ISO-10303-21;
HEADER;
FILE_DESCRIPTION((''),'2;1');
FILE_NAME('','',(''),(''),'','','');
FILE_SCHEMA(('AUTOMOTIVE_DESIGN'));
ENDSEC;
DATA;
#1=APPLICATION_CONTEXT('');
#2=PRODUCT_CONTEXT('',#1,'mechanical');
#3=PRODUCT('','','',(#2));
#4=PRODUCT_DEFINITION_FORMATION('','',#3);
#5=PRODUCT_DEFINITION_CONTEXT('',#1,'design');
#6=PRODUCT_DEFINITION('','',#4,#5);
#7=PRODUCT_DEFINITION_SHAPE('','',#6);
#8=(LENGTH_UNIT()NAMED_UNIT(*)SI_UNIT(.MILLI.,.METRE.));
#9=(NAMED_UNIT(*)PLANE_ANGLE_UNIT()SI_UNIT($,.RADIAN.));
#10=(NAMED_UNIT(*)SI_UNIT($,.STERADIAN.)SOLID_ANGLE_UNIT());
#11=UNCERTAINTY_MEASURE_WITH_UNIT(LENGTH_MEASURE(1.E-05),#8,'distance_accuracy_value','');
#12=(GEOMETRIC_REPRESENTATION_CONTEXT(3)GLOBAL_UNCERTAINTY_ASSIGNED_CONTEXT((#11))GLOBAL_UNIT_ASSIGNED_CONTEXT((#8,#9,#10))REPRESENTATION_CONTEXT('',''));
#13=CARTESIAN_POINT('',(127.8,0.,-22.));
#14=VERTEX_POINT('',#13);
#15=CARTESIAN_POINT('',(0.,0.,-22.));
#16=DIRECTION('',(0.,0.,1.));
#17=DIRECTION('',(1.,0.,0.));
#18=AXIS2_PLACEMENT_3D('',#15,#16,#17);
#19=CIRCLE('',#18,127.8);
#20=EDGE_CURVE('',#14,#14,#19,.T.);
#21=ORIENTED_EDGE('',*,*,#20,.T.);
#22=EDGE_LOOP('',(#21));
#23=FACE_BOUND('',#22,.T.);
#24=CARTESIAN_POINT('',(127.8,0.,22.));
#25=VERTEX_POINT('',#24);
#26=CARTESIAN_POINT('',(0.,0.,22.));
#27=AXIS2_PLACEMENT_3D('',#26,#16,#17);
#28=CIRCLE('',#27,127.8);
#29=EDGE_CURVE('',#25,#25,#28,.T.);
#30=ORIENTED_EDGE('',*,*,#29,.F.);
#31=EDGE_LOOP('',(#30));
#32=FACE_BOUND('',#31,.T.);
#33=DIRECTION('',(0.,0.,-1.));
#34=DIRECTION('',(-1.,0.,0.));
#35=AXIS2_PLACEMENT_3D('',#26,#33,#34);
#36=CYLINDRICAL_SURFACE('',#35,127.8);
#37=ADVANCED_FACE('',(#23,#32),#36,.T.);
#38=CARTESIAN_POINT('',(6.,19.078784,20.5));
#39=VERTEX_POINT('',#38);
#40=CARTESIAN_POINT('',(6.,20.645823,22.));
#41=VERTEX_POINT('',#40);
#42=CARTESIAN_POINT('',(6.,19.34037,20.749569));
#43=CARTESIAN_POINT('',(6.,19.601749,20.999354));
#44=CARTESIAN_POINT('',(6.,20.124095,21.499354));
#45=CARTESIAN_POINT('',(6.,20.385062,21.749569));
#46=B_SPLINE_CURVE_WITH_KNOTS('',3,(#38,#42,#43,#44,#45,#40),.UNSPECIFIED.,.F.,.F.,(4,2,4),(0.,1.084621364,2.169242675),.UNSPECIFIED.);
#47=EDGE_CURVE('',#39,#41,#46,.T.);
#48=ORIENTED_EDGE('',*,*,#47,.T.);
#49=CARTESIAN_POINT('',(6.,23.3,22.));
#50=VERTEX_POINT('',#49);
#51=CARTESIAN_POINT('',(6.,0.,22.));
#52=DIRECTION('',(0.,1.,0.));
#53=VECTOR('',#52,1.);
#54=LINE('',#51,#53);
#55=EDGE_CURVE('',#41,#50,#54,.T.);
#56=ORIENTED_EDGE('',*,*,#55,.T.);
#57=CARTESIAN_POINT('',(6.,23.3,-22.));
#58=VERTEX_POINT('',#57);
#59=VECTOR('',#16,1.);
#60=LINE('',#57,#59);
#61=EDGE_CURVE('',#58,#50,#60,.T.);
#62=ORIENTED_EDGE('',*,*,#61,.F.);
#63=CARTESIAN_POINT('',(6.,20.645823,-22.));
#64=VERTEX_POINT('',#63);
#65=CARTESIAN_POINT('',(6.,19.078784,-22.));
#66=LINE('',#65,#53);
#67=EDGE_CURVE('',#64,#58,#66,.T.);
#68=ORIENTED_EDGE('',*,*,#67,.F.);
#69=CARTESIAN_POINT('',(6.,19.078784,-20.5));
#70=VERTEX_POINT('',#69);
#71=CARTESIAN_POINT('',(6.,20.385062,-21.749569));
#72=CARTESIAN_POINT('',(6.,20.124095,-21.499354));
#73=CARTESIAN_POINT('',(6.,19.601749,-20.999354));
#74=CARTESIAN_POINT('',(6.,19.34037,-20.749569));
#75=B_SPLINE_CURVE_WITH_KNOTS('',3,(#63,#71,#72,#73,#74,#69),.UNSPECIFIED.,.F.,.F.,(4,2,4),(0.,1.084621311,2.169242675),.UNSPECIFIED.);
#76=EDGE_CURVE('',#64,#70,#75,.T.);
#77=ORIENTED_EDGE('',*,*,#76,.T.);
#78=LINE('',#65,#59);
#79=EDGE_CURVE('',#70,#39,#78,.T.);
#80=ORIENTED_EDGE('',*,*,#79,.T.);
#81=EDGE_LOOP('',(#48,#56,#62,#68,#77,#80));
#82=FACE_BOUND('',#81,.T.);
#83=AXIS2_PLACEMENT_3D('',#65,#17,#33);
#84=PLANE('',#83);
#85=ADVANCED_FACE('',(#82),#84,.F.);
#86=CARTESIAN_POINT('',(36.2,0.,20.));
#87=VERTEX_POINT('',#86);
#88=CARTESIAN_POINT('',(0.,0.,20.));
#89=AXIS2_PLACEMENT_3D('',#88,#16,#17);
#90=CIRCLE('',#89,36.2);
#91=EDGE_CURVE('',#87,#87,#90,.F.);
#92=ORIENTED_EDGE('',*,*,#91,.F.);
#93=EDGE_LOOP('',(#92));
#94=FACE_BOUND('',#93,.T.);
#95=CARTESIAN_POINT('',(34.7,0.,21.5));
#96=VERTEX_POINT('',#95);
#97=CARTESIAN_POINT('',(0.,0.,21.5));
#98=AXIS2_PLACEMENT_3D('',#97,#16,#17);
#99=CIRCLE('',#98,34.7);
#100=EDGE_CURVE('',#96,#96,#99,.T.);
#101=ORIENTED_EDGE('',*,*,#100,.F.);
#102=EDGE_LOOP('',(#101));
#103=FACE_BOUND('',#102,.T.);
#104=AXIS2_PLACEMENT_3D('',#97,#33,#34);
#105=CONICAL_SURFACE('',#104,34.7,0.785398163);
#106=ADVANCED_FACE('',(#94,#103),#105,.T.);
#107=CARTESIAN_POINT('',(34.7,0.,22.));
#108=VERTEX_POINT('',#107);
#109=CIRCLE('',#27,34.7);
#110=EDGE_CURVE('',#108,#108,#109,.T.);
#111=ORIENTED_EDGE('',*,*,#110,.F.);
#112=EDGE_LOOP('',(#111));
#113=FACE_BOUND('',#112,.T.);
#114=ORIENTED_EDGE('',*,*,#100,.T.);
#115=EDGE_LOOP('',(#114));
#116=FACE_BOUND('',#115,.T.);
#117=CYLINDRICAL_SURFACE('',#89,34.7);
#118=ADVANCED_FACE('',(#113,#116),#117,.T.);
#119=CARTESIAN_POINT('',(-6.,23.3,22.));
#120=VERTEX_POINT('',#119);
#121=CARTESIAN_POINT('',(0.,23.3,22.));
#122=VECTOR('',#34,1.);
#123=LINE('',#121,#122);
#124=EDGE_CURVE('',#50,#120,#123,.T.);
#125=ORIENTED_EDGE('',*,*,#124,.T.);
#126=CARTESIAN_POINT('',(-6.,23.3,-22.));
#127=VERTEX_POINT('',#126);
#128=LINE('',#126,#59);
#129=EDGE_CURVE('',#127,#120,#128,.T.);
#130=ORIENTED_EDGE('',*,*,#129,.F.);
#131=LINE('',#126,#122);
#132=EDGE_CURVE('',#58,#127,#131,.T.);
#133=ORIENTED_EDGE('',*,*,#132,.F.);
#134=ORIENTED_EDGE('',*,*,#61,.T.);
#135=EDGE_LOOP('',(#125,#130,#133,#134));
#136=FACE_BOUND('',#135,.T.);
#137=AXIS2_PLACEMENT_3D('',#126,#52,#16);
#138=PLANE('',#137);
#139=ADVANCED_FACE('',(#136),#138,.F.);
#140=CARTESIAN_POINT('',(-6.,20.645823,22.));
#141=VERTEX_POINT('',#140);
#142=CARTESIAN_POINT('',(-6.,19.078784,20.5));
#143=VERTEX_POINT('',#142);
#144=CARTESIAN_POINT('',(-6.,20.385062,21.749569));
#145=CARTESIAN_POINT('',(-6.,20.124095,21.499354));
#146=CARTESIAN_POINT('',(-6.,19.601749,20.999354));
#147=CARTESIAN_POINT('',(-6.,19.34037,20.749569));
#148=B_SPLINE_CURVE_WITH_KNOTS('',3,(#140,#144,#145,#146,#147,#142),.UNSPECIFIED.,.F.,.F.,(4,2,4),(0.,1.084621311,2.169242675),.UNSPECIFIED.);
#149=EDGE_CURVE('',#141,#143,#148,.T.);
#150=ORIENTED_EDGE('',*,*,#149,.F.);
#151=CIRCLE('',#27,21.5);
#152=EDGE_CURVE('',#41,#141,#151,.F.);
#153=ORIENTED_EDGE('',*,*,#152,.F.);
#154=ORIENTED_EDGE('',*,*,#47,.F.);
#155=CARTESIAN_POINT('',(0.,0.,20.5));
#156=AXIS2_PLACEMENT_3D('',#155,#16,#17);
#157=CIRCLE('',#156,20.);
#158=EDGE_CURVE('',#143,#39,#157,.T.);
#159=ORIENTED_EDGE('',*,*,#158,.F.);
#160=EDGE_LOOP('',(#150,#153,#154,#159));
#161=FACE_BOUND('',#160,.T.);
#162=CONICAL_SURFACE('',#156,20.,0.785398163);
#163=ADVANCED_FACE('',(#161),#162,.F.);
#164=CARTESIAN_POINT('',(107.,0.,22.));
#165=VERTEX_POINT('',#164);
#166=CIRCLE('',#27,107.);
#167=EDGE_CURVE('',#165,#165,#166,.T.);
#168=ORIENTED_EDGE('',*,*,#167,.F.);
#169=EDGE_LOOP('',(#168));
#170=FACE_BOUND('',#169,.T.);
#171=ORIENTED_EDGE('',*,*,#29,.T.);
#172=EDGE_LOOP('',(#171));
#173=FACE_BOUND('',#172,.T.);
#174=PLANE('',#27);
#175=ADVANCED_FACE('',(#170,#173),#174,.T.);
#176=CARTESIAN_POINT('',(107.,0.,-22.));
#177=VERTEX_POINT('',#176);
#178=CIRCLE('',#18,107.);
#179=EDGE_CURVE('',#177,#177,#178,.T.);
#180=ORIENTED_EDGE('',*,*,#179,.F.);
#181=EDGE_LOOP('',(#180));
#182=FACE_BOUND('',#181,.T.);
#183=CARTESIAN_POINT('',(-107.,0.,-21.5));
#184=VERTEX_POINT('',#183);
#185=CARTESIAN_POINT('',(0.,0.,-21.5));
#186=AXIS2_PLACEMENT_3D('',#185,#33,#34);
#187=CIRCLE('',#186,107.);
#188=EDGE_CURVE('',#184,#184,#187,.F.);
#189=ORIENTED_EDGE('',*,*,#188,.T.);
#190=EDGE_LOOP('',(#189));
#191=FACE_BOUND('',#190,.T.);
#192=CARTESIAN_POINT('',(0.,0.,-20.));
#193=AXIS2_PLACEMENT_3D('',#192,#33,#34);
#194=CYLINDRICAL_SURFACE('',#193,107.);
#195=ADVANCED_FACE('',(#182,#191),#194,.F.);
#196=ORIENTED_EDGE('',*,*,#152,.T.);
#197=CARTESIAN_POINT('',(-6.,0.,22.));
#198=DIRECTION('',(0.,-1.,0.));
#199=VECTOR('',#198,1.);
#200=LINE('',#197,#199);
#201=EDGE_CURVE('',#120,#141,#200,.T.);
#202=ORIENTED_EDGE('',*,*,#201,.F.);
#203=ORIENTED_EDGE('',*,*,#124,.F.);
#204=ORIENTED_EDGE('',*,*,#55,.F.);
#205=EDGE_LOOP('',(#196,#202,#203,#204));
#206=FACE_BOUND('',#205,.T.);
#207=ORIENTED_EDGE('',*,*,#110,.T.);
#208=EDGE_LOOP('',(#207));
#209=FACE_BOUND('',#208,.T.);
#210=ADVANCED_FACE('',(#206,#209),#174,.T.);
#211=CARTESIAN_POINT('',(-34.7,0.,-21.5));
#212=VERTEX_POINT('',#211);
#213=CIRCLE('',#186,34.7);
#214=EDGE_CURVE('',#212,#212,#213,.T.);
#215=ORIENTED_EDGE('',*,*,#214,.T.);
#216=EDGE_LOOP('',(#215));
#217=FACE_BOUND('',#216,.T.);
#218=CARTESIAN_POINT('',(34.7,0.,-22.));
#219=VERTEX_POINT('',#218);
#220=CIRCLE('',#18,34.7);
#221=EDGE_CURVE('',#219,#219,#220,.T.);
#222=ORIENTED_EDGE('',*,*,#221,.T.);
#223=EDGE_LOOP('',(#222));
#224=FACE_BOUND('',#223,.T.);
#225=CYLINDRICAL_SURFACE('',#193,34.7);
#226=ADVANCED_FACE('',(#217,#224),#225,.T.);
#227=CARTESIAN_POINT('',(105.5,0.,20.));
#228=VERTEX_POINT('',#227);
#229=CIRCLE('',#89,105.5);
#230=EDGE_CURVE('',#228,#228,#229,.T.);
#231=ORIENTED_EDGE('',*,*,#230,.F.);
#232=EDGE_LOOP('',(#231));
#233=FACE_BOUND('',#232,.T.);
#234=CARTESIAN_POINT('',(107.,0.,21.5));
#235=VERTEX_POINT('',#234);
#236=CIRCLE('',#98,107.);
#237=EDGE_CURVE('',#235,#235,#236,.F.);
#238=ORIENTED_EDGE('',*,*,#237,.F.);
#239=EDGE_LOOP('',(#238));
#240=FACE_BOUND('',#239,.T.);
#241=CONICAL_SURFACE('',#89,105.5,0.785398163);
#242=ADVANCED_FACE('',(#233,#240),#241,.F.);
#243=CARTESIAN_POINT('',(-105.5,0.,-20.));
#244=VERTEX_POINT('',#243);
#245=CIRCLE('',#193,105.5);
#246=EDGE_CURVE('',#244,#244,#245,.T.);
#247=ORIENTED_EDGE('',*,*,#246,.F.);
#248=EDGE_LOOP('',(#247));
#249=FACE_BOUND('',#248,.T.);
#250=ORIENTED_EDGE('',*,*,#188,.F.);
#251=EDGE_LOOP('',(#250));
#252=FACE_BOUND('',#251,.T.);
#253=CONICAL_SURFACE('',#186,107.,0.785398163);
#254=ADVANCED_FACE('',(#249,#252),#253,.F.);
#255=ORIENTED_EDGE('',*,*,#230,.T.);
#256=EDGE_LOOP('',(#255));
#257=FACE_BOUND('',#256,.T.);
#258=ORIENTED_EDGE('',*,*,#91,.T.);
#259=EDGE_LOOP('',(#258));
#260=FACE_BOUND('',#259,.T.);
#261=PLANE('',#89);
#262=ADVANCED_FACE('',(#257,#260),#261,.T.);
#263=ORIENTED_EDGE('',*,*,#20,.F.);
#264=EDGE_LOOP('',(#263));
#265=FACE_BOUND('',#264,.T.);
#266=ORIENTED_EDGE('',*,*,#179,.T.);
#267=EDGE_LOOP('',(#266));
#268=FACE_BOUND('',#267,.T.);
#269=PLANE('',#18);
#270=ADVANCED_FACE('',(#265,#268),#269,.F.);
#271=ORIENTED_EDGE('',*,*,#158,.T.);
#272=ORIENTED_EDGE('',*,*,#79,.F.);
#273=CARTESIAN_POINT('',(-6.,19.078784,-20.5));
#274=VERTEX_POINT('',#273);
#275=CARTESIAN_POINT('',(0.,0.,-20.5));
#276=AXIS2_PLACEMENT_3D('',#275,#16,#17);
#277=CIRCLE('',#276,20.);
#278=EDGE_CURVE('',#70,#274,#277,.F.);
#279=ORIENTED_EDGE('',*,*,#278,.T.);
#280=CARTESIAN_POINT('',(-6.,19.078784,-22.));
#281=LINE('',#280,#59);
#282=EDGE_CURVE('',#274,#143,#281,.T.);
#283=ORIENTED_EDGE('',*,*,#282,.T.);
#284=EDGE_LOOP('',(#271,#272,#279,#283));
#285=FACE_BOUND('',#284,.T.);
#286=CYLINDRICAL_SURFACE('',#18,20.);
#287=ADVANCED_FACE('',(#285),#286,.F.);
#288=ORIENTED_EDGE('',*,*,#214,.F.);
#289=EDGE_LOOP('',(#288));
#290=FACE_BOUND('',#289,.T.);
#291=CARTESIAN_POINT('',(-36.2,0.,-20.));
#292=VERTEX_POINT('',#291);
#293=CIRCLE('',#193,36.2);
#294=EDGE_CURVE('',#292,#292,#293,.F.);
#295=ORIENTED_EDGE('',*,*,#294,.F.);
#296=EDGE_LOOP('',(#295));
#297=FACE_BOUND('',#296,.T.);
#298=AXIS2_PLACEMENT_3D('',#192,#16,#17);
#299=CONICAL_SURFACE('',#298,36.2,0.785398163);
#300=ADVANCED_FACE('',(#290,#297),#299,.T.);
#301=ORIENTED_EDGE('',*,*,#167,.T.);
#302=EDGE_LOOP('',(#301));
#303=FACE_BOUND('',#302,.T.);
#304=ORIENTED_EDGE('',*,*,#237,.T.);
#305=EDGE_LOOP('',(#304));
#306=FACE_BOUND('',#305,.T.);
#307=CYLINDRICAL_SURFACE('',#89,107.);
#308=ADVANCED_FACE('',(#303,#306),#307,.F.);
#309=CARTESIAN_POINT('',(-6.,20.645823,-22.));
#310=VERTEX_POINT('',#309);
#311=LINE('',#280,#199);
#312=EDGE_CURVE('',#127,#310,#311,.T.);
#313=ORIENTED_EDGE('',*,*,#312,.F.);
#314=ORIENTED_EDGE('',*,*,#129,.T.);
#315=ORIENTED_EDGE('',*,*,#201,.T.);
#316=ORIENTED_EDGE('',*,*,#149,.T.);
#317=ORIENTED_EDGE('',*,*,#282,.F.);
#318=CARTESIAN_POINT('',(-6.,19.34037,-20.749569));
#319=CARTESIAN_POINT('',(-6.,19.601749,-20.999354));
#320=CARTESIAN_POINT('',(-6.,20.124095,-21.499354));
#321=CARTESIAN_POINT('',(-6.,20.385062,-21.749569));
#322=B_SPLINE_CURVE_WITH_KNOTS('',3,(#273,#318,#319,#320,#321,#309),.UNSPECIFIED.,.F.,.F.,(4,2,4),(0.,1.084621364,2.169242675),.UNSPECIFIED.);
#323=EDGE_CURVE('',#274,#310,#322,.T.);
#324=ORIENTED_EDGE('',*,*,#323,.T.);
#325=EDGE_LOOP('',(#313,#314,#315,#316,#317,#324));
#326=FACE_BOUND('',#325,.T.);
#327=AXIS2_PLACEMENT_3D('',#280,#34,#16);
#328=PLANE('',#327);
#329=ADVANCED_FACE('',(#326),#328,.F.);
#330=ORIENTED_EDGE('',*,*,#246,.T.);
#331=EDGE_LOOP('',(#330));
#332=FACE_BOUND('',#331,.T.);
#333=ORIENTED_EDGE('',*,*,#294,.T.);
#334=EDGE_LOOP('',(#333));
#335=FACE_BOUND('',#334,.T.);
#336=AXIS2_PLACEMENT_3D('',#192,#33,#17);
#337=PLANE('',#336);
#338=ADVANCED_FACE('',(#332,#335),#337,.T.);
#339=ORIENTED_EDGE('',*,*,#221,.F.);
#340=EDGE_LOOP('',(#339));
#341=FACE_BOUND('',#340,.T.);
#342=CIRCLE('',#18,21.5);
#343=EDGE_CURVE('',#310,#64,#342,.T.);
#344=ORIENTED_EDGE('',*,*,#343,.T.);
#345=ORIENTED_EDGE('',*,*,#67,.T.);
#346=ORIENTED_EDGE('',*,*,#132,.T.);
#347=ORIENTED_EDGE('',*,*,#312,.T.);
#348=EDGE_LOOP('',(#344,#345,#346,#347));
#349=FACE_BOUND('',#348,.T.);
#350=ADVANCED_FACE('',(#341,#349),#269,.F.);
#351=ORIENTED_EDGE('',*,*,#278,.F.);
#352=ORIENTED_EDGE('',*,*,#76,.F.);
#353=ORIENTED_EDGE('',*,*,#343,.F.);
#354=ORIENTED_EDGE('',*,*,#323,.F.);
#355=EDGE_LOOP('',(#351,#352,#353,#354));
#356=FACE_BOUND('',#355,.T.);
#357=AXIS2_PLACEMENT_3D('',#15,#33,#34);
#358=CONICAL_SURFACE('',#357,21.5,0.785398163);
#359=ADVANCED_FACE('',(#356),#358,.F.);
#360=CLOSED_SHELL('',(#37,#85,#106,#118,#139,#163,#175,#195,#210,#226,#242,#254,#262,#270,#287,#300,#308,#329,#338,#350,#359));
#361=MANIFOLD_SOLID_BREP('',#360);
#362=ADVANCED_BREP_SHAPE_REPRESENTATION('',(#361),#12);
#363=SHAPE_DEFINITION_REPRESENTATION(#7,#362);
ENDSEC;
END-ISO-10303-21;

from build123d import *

# Parameters (mm, degrees)
SKETCH3_R               = 127.8
BOSS_EXTRUDE1_DEPTH     = 22
CUT_EXTRUDE1_DEPTH      = 1
CUT_EXTRUDE1_DEPTH_BACK = 45
SKETCH7_R               = 107
SKETCH7_R_2             = 34.7
CUT_EXTRUDE2_DEPTH      = 2
CHAMFER1_SIZE           = 1.5
CHAMFER2_SIZE           = 1.5
CHAMFER3_SIZE           = 1.5
CHAMFER4_SIZE           = 1.5


with BuildPart() as part:
    # Sketch3 → Boss-Extrude1 (new body, symmetric)
    with BuildSketch(Plane.XY):
        Circle(SKETCH3_R)
    extrude(amount=BOSS_EXTRUDE1_DEPTH, both=True)

    # Sketch6 → Cut-Extrude1 (cut, two sides)
    with BuildSketch(Plane.XY.offset(22)) as cut_extrude1_sk:
        with BuildLine():
            Line((-6, 19.078784028), (-6, 23.3))
            Line((-6, 23.3), (6, 23.3))
            Line((6, 23.3), (6, 19.078784028))
            ThreePointArc((6, 19.078784028), (0, -20), (-6, 19.078784028))
        make_face()
    extrude(amount=CUT_EXTRUDE1_DEPTH, mode=Mode.SUBTRACT)
    extrude(cut_extrude1_sk.sketch, amount=-CUT_EXTRUDE1_DEPTH_BACK, mode=Mode.SUBTRACT)

    # Sketch7 → Cut-Extrude2 (cut)
    with BuildSketch(Plane.XY.offset(22)):
        Circle(SKETCH7_R)
        Circle(SKETCH7_R_2, mode=Mode.SUBTRACT)
    cut_extrude2 = extrude(amount=-CUT_EXTRUDE2_DEPTH, mode=Mode.SUBTRACT)

    # Mirror1: Cut-Extrude2 across plane
    add(cut_extrude2.mirror(Plane.XY), mode=Mode.SUBTRACT)

    # Chamfer1
    chamfer1_edges = [part.edges().sort_by_distance(p)[0] for p in [
        (-107, 0, 20),
    ]]
    chamfer(chamfer1_edges, length=CHAMFER1_SIZE)

    # Chamfer2
    chamfer2_edges = [part.edges().sort_by_distance(p)[0] for p in [
        (-34.7, 0, 20),
    ]]
    chamfer(chamfer2_edges, length=CHAMFER2_SIZE)

    # Chamfer3
    chamfer3_edges = [part.edges().sort_by_distance(p)[0] for p in [
        (0, -20, 22),
    ]]
    chamfer(chamfer3_edges, length=CHAMFER3_SIZE)

    # Chamfer4
    chamfer4_edges = [part.edges().sort_by_distance(p)[0] for p in [
        (0, -20, -22),
        (-107, 0, -20),
        (-34.7, 0, -20),
    ]]
    chamfer(chamfer4_edges, length=CHAMFER4_SIZE)


solid = part.part
